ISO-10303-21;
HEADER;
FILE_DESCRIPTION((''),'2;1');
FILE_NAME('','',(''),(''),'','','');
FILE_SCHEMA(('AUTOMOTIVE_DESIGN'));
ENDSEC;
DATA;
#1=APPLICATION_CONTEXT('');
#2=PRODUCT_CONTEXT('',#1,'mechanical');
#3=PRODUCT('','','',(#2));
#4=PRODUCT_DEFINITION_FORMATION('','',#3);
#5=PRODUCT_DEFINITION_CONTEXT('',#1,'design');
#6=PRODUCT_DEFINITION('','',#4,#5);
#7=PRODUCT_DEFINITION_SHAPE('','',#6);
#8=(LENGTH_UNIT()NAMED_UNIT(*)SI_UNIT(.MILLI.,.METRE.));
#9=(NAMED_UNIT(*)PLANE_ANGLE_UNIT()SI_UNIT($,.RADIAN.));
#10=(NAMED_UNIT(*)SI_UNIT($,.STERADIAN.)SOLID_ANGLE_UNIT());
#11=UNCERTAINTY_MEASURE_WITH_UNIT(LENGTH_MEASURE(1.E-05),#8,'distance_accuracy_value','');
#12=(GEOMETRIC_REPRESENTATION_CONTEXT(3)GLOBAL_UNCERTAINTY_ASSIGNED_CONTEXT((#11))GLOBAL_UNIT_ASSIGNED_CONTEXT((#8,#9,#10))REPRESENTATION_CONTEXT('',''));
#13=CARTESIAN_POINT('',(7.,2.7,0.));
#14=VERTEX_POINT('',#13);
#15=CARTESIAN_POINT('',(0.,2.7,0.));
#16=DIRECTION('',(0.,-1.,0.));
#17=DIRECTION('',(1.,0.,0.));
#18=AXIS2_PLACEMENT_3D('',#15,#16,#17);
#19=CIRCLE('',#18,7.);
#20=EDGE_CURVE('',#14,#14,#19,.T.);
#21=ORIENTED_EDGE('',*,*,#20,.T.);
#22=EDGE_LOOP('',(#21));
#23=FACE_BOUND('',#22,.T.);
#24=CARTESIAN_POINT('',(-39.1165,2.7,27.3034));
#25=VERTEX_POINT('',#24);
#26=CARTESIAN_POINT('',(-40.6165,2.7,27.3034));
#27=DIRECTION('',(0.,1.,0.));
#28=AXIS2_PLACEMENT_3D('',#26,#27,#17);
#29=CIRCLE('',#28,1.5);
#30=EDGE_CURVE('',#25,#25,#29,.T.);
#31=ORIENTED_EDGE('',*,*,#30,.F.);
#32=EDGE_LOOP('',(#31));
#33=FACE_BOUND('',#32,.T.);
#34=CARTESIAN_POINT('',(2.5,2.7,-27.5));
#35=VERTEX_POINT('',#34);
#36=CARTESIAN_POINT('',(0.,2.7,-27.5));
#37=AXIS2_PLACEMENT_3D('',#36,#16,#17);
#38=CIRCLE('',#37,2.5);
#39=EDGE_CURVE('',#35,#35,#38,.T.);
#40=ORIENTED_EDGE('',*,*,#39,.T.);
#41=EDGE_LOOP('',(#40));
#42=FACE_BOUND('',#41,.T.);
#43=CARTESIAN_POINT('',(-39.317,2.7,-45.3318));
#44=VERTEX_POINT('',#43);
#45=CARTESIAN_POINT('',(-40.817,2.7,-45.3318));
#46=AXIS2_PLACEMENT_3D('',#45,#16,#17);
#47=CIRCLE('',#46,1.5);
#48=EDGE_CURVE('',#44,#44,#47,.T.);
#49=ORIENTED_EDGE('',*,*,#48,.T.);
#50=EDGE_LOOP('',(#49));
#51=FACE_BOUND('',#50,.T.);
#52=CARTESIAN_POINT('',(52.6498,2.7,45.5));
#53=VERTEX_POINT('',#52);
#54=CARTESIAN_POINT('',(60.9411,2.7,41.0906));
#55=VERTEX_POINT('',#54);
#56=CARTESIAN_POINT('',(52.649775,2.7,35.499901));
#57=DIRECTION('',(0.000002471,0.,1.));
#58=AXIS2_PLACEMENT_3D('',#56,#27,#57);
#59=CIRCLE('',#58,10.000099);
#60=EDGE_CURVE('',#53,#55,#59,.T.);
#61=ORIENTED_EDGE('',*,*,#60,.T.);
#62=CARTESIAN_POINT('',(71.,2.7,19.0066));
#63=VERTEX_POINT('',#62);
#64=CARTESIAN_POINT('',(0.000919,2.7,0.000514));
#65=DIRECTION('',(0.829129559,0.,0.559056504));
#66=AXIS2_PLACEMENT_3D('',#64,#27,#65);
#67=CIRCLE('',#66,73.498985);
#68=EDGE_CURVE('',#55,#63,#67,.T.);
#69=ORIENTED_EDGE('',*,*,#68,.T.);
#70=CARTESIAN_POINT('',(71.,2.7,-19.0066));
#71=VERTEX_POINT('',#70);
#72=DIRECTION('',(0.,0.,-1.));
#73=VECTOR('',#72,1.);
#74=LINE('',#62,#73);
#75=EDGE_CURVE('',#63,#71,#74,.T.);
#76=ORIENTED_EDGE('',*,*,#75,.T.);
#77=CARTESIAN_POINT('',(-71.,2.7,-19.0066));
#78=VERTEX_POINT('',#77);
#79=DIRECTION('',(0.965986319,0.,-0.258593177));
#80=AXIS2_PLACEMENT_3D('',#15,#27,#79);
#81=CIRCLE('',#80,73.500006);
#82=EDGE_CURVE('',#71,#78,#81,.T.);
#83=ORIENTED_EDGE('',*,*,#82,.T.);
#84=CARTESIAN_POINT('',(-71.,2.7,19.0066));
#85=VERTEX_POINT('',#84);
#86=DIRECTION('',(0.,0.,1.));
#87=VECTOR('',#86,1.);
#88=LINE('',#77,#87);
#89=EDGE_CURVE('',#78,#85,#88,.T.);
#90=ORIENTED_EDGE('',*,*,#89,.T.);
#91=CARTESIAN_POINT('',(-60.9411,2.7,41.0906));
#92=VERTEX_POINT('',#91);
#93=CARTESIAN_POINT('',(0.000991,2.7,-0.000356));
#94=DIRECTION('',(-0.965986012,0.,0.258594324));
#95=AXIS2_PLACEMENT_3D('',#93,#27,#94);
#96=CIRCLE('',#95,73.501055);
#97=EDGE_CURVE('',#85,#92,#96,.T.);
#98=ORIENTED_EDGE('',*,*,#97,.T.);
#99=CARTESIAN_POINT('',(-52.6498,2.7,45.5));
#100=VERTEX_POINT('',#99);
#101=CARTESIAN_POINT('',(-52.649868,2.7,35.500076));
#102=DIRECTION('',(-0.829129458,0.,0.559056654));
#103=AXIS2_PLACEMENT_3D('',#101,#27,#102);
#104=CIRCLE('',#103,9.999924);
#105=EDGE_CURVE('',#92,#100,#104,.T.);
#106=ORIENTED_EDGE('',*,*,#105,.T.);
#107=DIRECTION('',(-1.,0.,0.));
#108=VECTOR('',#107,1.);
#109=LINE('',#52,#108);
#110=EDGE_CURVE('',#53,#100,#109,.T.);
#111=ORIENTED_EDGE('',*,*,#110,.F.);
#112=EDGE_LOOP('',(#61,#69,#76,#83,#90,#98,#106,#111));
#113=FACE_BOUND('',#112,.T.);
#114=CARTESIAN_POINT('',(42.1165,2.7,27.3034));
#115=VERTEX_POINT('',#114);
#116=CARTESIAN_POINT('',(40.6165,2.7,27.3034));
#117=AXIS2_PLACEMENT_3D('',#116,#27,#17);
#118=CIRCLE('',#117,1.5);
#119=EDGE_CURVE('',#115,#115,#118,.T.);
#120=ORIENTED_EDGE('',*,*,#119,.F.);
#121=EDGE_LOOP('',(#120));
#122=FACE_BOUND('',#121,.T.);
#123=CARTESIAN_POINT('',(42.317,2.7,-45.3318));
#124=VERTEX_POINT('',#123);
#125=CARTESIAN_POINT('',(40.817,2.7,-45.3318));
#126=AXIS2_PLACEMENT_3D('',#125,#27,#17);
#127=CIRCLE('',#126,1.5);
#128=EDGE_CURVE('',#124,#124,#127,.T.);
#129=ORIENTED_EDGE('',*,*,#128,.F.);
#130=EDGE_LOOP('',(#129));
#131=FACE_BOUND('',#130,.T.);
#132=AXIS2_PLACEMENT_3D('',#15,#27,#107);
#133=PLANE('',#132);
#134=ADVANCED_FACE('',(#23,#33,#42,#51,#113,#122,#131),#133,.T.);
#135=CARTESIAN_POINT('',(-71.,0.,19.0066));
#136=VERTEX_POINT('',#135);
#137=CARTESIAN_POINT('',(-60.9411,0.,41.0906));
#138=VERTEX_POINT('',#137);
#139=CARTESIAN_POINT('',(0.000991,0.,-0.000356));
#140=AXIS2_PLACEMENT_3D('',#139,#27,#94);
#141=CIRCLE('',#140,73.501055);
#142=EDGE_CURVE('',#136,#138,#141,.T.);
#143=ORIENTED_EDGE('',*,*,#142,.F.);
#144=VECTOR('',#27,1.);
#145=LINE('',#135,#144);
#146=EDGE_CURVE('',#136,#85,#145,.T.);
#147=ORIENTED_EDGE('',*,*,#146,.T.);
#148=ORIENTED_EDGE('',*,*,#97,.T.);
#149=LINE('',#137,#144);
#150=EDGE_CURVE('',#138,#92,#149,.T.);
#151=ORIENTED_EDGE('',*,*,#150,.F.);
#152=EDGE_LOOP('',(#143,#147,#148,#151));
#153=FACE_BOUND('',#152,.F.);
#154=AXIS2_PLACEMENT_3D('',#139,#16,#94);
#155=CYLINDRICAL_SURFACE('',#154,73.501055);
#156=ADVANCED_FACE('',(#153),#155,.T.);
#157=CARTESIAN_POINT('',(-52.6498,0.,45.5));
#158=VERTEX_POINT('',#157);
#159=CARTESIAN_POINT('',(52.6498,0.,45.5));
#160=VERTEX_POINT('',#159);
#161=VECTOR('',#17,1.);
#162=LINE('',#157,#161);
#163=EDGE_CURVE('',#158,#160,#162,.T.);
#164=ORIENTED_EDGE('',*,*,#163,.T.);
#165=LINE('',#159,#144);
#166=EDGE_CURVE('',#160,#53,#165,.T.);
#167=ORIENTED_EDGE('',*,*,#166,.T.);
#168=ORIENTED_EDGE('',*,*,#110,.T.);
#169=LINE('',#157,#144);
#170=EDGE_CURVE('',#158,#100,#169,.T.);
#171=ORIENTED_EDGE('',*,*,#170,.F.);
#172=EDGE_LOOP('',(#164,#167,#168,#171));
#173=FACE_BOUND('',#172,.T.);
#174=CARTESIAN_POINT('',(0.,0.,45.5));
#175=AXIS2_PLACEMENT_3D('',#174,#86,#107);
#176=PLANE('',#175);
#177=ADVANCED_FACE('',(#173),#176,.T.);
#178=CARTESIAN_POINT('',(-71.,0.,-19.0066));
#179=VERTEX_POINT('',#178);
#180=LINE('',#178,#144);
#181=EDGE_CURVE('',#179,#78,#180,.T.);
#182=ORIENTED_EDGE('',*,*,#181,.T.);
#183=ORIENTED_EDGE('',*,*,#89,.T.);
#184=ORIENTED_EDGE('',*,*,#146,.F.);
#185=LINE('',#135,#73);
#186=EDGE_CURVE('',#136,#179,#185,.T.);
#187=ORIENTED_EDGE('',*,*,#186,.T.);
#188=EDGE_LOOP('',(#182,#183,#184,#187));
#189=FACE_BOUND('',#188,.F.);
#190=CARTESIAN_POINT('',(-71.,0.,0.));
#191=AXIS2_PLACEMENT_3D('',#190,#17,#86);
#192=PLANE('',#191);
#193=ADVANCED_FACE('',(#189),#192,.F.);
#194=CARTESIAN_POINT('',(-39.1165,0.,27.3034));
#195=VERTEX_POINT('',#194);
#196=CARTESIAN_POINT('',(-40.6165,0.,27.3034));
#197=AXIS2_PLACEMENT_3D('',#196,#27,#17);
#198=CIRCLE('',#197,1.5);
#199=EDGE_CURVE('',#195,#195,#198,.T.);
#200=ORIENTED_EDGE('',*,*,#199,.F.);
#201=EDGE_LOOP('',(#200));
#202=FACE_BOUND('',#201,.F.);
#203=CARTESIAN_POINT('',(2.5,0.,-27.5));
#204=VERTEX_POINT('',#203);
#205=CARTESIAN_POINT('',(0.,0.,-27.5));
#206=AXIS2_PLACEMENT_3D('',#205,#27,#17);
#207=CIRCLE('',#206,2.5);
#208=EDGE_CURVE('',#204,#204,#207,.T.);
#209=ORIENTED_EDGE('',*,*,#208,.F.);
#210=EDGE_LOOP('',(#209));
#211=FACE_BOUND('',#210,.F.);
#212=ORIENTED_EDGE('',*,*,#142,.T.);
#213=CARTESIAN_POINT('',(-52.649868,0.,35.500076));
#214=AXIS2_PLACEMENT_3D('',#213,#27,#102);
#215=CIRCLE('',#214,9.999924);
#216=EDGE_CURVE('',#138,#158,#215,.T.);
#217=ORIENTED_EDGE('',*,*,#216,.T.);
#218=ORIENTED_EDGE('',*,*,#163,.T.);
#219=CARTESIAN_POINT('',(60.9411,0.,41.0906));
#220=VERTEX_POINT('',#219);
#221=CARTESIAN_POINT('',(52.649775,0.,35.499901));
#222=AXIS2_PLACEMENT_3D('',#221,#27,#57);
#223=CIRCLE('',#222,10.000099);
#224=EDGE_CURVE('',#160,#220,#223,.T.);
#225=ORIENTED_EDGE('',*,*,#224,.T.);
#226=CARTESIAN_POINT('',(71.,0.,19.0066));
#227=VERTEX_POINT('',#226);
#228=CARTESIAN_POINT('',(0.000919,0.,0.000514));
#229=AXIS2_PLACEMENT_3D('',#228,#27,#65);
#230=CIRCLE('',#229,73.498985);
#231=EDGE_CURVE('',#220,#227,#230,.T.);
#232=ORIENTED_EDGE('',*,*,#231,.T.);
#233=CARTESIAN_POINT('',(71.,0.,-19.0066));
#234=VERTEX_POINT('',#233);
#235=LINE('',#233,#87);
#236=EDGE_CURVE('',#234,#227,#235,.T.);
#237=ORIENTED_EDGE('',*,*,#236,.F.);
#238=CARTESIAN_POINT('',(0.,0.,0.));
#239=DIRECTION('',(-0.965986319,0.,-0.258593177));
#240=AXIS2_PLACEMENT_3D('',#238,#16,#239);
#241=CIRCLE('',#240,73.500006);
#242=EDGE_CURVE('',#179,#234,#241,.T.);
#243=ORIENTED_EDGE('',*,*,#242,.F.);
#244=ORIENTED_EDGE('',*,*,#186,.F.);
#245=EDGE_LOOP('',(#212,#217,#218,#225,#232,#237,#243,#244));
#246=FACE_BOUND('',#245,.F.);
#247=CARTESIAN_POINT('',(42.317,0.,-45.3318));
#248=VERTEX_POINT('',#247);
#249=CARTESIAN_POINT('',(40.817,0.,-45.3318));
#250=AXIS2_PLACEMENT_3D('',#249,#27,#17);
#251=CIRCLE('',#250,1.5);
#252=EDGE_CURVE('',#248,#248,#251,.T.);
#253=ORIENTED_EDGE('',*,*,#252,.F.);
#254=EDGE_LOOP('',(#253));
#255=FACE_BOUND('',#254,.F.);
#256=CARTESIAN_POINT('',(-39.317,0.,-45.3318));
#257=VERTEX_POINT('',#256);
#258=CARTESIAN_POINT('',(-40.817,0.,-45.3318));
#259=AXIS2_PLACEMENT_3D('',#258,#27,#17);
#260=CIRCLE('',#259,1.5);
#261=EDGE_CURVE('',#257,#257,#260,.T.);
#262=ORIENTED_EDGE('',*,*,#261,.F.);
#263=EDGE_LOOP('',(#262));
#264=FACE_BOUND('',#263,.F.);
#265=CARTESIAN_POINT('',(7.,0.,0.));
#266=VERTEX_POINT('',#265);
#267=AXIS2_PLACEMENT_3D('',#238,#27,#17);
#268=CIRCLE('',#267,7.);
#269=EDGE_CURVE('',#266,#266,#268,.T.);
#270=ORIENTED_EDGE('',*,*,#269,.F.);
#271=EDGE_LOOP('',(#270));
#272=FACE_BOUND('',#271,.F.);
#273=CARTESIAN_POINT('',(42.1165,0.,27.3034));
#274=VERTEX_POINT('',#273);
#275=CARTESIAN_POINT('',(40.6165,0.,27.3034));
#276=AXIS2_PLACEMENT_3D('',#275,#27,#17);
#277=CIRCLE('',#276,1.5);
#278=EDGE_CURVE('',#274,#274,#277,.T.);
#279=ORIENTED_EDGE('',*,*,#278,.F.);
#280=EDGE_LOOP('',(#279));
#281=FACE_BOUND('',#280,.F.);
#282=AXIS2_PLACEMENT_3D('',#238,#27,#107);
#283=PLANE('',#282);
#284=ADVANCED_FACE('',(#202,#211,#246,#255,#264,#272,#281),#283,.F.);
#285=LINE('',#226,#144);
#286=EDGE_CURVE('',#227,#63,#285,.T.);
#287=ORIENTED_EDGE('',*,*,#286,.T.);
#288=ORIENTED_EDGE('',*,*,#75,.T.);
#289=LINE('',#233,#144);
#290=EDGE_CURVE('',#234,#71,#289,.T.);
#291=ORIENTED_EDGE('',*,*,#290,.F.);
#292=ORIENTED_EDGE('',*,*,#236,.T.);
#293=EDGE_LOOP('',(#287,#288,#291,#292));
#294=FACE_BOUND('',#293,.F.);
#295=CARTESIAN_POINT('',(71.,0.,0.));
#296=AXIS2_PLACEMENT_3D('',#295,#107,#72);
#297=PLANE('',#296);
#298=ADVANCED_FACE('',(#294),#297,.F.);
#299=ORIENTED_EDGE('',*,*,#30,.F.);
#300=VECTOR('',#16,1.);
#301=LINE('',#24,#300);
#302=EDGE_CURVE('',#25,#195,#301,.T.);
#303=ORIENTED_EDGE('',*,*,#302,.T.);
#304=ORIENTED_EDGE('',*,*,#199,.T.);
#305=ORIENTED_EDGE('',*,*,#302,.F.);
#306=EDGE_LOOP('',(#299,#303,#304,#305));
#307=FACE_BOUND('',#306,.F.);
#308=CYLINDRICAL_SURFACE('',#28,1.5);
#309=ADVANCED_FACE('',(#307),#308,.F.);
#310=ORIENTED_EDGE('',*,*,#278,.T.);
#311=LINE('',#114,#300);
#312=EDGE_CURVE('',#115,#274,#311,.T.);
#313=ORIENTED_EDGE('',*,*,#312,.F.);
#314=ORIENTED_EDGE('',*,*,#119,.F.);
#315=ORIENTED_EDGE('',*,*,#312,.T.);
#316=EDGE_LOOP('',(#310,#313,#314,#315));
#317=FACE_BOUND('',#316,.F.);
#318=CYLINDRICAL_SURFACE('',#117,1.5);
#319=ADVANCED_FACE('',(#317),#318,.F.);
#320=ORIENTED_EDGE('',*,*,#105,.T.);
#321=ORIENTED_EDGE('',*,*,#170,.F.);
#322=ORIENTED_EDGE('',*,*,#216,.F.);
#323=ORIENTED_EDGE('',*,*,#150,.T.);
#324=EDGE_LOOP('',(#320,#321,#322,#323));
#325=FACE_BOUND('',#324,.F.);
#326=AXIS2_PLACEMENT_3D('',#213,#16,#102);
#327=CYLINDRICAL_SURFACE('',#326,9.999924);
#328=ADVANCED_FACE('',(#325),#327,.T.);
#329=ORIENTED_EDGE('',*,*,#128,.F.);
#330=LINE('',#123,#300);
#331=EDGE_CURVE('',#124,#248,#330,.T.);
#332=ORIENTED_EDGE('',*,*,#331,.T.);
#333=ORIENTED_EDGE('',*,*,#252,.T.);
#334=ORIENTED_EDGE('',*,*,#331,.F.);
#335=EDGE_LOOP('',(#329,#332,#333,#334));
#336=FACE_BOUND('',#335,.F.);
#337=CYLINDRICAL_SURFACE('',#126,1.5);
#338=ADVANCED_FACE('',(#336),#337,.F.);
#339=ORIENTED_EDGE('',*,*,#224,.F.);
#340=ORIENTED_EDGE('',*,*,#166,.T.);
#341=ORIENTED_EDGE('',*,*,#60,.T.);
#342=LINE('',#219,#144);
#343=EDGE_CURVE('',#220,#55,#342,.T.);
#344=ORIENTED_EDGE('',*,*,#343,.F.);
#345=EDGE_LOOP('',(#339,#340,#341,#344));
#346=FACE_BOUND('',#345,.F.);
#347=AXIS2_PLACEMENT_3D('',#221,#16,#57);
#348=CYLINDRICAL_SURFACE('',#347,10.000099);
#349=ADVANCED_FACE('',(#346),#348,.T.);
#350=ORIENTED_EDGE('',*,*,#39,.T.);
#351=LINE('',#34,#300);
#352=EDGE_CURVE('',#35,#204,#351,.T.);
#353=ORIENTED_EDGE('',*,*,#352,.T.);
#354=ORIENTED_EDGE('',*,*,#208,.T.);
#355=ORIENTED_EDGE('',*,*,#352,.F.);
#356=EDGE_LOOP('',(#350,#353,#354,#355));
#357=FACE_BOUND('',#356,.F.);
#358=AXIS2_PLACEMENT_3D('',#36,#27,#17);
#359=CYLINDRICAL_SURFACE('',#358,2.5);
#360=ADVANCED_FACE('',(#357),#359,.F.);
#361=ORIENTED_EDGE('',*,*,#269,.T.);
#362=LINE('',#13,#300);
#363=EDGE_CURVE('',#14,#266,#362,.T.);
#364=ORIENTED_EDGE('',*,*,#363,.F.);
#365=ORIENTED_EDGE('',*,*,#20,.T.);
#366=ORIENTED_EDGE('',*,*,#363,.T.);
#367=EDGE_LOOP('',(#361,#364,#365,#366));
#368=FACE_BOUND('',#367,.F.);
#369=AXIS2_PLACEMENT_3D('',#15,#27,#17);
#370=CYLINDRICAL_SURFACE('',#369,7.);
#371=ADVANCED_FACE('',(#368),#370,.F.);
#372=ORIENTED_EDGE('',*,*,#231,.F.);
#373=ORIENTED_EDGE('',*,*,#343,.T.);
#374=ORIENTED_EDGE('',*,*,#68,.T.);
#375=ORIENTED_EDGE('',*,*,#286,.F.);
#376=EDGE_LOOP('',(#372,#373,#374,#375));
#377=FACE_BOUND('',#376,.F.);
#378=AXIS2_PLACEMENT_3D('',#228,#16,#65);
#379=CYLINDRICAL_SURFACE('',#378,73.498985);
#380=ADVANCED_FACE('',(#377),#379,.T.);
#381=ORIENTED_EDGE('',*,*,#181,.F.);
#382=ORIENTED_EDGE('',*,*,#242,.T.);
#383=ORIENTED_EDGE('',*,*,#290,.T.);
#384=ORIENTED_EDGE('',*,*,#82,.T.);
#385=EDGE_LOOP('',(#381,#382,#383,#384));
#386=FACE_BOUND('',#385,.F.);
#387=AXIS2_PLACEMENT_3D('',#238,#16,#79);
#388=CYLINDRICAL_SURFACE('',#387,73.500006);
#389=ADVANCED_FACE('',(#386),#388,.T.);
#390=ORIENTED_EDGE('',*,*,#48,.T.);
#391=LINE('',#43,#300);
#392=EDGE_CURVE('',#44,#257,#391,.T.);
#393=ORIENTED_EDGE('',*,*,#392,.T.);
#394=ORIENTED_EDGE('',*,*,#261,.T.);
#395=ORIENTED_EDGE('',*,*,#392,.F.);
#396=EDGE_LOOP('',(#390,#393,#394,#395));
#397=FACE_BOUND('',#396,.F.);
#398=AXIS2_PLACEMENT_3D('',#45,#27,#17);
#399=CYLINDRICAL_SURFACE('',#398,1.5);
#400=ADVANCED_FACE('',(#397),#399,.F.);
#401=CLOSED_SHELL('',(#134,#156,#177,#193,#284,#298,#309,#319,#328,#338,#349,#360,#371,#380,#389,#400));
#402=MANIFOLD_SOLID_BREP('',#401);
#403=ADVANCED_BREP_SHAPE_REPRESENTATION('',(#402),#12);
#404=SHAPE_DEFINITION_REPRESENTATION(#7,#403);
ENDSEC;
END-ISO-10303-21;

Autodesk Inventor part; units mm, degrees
ref_plane "YZ Plane" through (0, 0, 0) normal (1, 0, 0) x (0, 1, 0)
ref_plane "XZ Plane" through (0, 0, 0) normal (0, 1, 0) x (-1, 0, 0)
ref_plane "XY Plane" through (0, 0, 0) normal (0, 0, 1) x (1, 0, 0)
sketch "Sketch1" plane through (0, 0, 0) normal (0, 1, 0) x (-1, 0, 0)
  line L0 (0, 0) -> (71, 0)
  line L1 (71, 0) -> (71, -19.0066)
  line L2 (71, 0) -> (71, 19.0066)
  line L3 (0, 0) -> (0, -73.5)
  line L4 (-71, 0) -> (-71, -19.0066)
  line L5 (-71, 0) -> (-71, 19.0066)
  line L6 (0, 0) -> (0, 45.5)
  line L7 (0, 45.5) -> (52.6498, 45.5)
  line L8 (0, 45.5) -> (-52.6498, 45.5)
  arc A0 (-60.9411, 41.0906) -> (-71, 19.0066) centre (0, 0) ccw
  arc A1 (-71, -19.0066) -> (71, -19.0066) centre (0, 0) ccw
  arc A2 (71, 19.0066) -> (60.9411, 41.0906) centre (0, 0) ccw
  arc A3 (60.9411, 41.0906) -> (52.6498, 45.5) centre (52.6498, 35.5) ccw
  arc A4 (-52.6498, 45.5) -> (-60.9411, 41.0906) centre (-52.6498, 35.5) ccw
  point P0 (57.7235, 45.5)
  point P1 (-57.7235, 45.5)
  dimension "d62" = 71
  dimension "d63" = 45.5
  dimension "d64" = 10
extrude "Extrusion1" add sketch "Sketch1" along normal blind 2.7
sketch "Sketch2" plane through (0, 2.7, 0) normal (0, 1, 0) x (1, 0, 0)
  circle A0 centre (0, 0) radius 7
  line L0 (0, 0) -> (0, 73.5)
  line L1 (0, 73.5) -> (0, 27.5)
  circle A1 centre (0, 27.5) radius 2.5
  line L2 (0, 0) -> (-54.1913, 0)
  circle A2 centre (0, 0) radius 61 construction
  line L3 (0, 0) -> (-40.817, 45.3318)
  circle A3 centre (-40.817, 45.3318) radius 1.5
  circle A4 centre (40.817, 45.3318) radius 1.5
  circle A5 centre (0, 0) radius 73.5 construction
  circle A6 centre (0, 0) radius 48.9405 construction
  line L4 (0, 0) -> (-87.4111, -58.76) construction
  circle A7 centre (-40.6165, -27.3034) radius 1.5
  circle A8 centre (40.6165, -27.3034) radius 1.5
  dimension "d48" = 122
  dimension "d65" = 97.881
  dimension "d38" = 14
  dimension "d39" = 46
  dimension "d40" = 5
  dimension "d50" = 48
  dimension "d52" = 3
  dimension "d66" = 33.91
  dimension "d67" = 3
extrude "Extrusion2" cut sketch "Sketch2" against normal blind 2.7
properties part number "tapa_carcasa_4.0_v2"
